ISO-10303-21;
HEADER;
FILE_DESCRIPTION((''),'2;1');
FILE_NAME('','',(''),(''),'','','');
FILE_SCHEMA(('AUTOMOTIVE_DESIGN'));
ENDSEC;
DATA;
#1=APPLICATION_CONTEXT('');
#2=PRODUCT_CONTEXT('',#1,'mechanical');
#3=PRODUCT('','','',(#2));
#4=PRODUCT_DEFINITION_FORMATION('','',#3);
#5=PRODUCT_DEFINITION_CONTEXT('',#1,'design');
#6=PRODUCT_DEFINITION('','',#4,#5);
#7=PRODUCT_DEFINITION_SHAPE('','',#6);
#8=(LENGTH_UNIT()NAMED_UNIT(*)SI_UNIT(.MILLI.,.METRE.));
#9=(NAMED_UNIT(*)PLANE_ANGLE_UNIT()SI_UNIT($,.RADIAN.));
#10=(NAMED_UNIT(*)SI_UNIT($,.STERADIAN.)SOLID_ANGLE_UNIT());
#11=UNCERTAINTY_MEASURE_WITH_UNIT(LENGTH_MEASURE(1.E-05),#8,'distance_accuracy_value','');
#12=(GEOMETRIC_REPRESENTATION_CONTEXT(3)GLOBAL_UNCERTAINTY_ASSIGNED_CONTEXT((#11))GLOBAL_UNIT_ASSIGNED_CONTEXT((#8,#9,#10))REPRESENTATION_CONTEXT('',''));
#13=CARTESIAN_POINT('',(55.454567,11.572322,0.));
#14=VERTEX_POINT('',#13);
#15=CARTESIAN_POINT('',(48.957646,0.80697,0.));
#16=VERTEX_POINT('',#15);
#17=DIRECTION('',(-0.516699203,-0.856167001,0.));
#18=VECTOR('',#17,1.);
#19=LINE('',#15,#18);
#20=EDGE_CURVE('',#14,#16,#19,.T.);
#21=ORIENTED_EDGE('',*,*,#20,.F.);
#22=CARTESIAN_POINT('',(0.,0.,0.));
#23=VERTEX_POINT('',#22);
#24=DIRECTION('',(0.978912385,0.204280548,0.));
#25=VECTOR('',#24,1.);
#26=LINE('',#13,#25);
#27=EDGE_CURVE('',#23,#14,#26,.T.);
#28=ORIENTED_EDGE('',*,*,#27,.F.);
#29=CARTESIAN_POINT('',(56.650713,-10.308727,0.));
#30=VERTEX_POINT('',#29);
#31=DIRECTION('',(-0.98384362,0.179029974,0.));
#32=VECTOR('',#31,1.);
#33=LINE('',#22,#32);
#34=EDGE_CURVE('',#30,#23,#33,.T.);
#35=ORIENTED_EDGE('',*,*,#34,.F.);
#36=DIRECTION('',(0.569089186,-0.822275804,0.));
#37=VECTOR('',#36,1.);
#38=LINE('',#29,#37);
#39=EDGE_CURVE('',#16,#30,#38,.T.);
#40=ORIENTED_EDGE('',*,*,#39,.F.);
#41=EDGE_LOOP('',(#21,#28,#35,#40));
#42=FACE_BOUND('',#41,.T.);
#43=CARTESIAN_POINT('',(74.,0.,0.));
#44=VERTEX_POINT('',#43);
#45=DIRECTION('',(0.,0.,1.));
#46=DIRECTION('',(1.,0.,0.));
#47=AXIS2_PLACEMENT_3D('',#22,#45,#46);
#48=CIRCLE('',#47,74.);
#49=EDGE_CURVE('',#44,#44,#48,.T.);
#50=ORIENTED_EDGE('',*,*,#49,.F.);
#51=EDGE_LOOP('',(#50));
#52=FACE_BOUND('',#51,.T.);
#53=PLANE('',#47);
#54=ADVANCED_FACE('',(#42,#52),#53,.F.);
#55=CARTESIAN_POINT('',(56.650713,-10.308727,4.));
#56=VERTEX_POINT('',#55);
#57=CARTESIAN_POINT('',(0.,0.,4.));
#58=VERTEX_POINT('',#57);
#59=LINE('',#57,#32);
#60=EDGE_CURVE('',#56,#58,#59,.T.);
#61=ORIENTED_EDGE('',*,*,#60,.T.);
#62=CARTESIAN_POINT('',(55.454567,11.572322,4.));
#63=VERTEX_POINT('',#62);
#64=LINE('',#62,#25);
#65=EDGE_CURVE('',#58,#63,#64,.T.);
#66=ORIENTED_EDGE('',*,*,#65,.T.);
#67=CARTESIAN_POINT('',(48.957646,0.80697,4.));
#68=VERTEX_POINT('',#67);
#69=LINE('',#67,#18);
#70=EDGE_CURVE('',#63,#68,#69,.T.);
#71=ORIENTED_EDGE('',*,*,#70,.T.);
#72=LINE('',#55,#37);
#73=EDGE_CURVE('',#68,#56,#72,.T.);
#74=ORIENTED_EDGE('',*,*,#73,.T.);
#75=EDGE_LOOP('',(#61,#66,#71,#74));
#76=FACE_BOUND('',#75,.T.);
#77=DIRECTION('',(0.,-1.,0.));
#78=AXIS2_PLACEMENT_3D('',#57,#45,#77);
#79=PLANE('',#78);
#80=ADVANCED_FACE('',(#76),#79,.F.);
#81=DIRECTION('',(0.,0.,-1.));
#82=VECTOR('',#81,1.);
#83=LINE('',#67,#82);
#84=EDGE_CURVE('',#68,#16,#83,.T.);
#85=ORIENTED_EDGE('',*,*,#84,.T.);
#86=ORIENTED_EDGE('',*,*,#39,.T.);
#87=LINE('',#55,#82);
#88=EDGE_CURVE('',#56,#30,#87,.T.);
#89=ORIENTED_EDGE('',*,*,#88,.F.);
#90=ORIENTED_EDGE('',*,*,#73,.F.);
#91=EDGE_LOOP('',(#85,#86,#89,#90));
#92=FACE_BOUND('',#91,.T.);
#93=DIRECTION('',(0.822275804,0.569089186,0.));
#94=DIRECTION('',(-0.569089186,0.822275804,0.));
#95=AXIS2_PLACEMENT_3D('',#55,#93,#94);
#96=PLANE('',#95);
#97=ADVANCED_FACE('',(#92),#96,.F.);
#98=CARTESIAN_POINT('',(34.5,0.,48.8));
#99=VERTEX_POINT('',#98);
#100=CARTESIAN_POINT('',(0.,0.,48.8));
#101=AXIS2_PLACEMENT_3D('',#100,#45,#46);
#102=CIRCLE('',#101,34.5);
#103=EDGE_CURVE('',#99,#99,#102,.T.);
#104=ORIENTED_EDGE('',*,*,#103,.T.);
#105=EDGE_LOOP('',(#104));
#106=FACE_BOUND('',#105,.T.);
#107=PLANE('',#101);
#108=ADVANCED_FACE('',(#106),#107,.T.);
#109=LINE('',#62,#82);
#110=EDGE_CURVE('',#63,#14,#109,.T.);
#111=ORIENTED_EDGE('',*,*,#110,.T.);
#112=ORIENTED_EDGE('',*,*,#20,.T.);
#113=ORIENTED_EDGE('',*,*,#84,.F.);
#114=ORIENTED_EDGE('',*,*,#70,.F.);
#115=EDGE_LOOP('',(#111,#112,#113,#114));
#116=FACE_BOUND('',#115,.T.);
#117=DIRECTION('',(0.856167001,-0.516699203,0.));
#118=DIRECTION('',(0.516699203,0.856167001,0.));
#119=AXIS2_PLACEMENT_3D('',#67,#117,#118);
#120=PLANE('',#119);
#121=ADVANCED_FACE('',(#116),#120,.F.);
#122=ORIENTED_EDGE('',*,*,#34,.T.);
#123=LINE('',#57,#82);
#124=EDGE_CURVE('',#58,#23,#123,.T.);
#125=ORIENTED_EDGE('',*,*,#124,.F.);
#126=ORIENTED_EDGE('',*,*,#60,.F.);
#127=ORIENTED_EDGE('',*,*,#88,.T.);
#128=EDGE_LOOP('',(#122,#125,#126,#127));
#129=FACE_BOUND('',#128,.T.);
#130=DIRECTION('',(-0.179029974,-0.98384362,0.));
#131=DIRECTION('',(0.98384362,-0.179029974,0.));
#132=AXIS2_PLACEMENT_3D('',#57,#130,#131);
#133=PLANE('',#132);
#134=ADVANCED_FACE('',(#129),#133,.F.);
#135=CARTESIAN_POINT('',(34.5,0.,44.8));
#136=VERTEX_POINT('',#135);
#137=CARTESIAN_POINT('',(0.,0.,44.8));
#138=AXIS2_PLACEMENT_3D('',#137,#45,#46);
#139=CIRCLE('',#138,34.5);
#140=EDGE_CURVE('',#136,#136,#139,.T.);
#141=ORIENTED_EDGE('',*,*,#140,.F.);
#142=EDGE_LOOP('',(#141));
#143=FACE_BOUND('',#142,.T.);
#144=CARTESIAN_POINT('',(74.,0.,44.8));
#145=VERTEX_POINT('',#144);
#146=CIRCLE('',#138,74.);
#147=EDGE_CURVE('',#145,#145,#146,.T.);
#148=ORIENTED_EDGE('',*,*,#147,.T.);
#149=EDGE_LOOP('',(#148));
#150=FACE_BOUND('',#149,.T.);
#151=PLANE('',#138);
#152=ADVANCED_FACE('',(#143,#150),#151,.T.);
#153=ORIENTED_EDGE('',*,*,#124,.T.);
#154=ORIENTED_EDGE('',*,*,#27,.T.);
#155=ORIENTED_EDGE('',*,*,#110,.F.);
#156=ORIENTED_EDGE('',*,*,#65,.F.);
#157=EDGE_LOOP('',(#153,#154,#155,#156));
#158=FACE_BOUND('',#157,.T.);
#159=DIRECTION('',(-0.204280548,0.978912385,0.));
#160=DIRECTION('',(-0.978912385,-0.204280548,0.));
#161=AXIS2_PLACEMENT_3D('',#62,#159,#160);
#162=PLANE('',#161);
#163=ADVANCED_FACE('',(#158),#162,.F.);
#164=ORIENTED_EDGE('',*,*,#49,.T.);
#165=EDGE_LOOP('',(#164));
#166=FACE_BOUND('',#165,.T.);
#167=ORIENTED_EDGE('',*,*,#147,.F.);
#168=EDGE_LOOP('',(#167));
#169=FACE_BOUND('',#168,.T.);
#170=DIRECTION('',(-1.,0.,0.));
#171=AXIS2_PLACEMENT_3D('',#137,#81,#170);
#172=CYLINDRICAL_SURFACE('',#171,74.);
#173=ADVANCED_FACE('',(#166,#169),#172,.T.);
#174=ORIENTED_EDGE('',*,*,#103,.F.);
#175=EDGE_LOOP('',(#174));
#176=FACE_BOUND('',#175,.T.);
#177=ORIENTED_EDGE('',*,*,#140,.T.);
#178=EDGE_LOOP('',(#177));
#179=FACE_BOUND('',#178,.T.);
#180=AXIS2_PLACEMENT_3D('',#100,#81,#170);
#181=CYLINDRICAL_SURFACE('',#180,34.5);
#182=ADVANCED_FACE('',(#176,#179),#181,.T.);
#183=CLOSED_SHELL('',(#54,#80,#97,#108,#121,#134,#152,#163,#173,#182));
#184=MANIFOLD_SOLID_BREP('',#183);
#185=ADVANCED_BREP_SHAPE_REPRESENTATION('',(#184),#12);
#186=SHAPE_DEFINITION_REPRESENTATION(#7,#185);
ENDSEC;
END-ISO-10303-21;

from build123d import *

# Parameters (mm, degrees)
SKETCH_1_R          = 74
EXTRUDE_1_DEPTH     = 44.8
SKETCH_3_R          = 34.5
EXTRUDE_2_DEPTH     = 4
CUT_EXTRUDE_3_DEPTH = 4


with BuildPart() as part:
    # 草图1 → 凸台-拉伸1 (new body)
    with BuildSketch(Plane.XY):
        Circle(SKETCH_1_R)
    extrude(amount=EXTRUDE_1_DEPTH)

    # 草图3 → 凸台-拉伸2 (add)
    with BuildSketch(Plane.XY.offset(44.8)):
        Circle(SKETCH_3_R)
    extrude(amount=EXTRUDE_2_DEPTH)

    # 草图4 → 切除-拉伸3 (cut)
    with BuildSketch(Plane(origin=(0, 0, 0), x_dir=(1, 0, 0), z_dir=(0, 0, -1))):
        Polygon((55.454566514, -11.572321894), (0, 0), (56.650713471, 10.308727493), (48.957646125, -0.806969816), align=None)
    extrude(amount=-CUT_EXTRUDE_3_DEPTH, mode=Mode.SUBTRACT)


solid = part.part
